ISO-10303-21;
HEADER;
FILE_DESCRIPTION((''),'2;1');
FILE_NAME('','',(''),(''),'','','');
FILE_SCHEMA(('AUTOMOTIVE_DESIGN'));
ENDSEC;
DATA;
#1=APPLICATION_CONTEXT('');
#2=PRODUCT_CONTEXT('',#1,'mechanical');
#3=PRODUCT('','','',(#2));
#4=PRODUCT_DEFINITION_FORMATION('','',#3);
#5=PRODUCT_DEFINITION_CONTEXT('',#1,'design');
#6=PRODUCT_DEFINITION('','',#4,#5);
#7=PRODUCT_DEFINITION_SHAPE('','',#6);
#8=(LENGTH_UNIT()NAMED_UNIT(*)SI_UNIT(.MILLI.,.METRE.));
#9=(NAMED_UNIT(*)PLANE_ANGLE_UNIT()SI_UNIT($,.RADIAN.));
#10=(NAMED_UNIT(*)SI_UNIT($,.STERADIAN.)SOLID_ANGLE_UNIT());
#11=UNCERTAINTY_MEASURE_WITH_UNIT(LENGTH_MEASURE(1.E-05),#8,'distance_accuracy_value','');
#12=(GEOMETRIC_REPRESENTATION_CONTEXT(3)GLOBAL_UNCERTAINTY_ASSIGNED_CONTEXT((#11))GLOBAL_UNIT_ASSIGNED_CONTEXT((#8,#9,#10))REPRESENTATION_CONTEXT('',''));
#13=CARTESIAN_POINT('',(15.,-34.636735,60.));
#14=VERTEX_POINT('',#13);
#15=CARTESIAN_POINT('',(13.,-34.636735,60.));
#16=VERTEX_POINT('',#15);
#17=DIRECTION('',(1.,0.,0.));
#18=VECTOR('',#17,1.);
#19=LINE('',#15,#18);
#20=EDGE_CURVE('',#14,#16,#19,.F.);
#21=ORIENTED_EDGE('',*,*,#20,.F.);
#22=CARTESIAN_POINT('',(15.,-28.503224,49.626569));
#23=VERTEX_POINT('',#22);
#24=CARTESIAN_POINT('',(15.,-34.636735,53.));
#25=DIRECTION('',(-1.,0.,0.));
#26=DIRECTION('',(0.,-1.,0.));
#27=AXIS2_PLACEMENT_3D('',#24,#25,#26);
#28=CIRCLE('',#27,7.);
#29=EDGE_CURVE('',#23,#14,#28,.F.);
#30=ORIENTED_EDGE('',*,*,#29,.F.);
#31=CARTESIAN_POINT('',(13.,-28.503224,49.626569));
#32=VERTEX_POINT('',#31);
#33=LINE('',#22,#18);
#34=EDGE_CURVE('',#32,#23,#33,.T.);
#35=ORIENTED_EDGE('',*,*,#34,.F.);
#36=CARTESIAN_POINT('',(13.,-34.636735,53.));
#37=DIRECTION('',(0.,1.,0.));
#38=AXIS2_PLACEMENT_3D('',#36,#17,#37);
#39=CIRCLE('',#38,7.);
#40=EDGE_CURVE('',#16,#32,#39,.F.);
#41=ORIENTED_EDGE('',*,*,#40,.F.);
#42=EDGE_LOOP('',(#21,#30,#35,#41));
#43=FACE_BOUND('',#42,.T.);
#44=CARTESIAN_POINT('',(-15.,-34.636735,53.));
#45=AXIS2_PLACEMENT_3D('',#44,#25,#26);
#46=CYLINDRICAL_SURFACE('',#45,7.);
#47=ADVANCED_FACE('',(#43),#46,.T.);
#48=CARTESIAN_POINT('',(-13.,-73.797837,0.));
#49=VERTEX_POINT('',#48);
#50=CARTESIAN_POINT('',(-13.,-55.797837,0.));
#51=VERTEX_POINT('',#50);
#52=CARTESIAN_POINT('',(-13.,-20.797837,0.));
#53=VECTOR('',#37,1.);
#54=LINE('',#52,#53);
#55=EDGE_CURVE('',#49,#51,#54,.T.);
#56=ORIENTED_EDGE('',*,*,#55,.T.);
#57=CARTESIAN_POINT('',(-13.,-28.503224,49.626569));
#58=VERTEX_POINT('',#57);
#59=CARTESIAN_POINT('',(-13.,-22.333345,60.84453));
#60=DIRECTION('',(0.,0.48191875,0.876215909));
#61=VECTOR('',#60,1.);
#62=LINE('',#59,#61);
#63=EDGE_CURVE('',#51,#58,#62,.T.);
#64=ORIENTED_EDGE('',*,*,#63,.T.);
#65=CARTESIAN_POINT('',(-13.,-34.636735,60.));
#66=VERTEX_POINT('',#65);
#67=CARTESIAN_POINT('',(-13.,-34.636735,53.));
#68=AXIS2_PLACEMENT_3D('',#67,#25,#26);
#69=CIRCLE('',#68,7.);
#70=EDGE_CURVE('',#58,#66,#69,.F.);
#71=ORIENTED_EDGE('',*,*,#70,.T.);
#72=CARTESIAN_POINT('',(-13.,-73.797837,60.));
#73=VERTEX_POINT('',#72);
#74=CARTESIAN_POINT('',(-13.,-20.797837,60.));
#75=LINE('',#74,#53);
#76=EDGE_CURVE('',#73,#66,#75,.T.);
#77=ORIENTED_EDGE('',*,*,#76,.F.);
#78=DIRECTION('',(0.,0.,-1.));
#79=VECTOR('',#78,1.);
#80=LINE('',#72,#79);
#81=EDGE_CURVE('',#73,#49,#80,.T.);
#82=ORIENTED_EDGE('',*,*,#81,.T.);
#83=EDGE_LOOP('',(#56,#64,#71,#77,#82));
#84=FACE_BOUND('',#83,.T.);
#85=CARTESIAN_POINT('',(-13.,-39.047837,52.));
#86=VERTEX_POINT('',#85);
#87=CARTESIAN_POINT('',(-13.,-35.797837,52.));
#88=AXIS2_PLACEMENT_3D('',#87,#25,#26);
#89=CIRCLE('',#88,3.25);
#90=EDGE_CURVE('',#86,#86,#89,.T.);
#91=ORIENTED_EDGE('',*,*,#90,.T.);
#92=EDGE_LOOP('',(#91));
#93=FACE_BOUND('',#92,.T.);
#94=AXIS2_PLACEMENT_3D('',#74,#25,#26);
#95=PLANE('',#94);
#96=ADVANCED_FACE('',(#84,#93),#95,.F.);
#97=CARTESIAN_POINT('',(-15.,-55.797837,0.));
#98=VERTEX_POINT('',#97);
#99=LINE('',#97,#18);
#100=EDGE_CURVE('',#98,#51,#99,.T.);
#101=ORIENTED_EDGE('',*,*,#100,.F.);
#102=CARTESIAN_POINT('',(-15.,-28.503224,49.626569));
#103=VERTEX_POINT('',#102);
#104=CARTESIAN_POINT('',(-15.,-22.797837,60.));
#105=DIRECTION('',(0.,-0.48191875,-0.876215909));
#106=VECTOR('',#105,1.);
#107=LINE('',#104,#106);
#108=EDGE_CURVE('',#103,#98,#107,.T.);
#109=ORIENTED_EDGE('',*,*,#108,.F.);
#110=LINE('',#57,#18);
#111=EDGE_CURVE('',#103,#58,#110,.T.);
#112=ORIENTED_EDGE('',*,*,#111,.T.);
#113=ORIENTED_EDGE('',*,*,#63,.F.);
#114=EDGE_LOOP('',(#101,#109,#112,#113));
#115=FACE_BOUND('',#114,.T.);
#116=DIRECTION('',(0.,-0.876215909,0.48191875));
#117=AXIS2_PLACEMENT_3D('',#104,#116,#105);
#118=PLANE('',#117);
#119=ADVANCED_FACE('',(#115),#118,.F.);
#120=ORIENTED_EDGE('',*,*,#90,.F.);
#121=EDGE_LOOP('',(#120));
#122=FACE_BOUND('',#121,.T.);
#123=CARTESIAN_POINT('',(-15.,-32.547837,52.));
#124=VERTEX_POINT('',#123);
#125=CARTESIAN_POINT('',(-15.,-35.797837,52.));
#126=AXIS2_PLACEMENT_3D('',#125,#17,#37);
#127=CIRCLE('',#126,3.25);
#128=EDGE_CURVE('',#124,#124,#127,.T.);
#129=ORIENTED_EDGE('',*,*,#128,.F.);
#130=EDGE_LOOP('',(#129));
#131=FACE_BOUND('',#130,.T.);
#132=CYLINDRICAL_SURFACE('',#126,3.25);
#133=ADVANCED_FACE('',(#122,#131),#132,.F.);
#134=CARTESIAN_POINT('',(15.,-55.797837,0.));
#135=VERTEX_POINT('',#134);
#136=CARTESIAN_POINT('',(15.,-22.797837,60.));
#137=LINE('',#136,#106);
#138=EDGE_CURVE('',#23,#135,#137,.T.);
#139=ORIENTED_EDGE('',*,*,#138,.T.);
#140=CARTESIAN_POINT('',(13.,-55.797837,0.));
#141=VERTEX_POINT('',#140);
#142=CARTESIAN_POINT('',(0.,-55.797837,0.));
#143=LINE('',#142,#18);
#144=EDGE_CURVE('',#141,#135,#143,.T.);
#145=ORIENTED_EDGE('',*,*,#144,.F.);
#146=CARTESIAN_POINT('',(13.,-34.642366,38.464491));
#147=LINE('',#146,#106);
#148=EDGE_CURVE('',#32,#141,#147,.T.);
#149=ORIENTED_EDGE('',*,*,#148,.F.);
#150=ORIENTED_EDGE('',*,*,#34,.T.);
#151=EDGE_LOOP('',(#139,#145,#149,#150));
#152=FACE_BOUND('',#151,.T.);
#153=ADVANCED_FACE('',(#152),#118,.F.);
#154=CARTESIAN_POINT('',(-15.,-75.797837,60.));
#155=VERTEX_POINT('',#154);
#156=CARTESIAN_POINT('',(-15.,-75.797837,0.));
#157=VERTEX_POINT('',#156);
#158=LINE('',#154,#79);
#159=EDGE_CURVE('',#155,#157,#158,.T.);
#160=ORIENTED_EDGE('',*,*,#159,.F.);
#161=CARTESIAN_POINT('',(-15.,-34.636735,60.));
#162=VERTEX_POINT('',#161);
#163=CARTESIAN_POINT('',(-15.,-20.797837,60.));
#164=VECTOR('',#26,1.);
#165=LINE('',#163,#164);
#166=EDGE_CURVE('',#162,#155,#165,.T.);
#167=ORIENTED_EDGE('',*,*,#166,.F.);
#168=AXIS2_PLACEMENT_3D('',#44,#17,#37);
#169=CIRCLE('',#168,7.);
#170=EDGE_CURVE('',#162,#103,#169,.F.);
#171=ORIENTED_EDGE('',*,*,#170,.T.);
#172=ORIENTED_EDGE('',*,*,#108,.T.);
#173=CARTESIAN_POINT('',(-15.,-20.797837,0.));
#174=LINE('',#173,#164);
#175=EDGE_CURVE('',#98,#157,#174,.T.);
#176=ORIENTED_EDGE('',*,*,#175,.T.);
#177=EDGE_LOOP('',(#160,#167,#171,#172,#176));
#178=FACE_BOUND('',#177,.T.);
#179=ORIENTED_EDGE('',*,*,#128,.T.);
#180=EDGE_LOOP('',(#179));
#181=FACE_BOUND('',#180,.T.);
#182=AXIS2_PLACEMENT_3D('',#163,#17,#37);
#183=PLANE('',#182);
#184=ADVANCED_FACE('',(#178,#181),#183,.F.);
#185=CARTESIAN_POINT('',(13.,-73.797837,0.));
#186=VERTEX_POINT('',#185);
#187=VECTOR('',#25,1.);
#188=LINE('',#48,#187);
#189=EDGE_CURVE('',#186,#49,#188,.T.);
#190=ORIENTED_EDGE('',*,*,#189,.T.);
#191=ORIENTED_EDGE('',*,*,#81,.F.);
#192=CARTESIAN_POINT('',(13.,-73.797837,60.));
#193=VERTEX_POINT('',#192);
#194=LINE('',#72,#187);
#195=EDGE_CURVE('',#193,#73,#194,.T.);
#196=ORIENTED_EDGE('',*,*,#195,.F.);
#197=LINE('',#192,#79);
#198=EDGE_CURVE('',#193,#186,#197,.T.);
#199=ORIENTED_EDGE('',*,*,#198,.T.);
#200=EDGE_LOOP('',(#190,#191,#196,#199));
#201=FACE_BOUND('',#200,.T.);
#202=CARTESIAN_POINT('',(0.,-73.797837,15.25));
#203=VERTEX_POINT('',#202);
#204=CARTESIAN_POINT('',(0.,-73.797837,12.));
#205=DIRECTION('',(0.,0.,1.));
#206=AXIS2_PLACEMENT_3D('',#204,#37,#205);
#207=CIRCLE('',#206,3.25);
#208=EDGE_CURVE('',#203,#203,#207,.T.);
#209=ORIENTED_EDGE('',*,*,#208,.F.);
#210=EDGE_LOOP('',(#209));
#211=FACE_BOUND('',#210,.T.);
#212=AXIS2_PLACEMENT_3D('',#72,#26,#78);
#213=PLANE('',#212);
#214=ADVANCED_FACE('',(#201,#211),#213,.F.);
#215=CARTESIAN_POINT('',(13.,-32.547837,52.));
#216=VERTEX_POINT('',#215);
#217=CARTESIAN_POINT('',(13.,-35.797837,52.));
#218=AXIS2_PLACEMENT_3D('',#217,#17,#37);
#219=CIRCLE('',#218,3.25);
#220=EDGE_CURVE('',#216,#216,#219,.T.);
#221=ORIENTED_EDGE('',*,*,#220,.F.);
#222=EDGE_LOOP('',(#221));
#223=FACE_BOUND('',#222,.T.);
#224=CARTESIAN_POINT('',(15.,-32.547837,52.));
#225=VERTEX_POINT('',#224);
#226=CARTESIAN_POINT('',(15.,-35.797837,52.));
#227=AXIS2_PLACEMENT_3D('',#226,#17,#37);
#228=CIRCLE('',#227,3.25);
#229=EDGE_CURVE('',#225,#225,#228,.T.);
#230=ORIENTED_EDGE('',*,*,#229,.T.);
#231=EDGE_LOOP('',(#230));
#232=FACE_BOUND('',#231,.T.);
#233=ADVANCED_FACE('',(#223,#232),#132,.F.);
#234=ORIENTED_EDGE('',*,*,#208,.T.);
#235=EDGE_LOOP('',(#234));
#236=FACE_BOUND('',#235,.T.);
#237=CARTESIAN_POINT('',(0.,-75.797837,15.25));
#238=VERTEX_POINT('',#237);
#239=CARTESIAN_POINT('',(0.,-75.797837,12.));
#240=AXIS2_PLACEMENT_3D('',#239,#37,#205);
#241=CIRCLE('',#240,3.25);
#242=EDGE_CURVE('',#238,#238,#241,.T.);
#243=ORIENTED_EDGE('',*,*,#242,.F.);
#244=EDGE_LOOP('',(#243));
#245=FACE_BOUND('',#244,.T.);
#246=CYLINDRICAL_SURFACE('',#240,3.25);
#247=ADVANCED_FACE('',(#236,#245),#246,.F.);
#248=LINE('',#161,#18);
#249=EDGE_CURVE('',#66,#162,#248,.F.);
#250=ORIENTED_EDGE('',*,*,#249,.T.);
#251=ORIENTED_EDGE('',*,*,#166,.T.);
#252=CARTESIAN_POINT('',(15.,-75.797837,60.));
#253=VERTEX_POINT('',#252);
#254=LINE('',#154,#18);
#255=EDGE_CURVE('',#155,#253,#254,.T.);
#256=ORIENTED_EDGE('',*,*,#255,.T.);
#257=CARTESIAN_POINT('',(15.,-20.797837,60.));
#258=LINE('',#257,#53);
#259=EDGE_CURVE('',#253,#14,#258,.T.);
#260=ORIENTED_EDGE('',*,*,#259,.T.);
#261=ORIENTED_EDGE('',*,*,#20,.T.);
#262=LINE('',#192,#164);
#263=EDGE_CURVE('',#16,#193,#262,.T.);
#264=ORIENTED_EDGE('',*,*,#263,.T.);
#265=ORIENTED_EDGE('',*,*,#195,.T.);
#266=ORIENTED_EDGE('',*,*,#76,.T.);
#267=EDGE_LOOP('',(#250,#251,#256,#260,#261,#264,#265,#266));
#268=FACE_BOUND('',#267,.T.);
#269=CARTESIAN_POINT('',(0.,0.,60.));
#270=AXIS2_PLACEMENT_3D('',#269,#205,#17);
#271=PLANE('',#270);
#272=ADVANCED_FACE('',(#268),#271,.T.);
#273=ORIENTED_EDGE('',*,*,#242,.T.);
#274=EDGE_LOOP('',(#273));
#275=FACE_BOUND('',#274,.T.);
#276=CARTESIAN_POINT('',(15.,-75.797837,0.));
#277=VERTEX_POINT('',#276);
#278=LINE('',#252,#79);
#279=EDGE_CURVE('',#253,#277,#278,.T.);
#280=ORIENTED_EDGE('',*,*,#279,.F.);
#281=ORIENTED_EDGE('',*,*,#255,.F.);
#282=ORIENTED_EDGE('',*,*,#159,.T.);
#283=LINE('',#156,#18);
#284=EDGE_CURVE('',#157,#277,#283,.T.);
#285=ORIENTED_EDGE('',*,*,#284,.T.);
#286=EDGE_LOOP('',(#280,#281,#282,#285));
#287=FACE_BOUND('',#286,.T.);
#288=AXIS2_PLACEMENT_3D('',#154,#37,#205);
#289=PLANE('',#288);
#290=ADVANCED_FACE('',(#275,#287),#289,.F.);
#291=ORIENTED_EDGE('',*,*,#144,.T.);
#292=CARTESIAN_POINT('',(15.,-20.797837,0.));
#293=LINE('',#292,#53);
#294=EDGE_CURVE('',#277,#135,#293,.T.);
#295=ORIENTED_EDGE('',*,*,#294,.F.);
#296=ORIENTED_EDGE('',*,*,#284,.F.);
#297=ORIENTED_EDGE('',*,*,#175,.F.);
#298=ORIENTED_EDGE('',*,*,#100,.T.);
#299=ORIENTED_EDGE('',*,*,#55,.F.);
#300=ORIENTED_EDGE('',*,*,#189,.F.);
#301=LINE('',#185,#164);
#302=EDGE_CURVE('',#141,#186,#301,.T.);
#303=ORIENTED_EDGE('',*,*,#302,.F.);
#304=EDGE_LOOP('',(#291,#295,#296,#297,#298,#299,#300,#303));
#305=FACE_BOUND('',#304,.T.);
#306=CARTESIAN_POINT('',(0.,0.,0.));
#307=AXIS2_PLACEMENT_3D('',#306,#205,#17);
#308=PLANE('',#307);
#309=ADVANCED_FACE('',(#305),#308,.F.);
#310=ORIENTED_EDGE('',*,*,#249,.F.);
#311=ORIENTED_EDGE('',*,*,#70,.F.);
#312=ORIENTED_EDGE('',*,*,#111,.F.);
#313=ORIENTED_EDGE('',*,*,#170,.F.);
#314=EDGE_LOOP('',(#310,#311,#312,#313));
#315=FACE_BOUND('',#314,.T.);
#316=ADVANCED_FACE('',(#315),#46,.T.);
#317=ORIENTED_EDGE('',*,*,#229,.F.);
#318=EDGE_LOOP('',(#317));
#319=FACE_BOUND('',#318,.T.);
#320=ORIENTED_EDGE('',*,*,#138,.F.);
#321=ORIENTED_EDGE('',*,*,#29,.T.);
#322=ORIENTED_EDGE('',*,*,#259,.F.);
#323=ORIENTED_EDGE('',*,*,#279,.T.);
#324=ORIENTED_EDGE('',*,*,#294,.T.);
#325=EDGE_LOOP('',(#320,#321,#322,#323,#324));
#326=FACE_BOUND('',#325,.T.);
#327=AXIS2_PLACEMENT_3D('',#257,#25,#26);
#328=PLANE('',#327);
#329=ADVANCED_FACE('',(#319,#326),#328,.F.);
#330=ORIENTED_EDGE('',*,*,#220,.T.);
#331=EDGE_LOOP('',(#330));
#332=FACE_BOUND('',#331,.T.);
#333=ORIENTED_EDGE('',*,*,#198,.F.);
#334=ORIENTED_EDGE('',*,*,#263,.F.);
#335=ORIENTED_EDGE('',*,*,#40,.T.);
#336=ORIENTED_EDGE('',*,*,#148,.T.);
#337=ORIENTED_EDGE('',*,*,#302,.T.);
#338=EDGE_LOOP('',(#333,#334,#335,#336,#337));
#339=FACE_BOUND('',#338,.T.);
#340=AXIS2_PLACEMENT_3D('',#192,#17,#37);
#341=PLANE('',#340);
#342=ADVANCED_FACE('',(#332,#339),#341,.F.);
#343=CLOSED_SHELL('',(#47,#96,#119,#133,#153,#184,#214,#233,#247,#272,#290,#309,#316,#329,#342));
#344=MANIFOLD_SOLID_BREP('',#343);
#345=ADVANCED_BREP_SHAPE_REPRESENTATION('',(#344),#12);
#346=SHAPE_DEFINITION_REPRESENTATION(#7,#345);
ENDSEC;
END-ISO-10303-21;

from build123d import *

# Parameters (mm, degrees)
EXTRUDE_1_DEPTH     = 60
SKETCH_2_R          = 3.25
CUT_EXTRUDE_1_DEPTH = 31
FILLET_1_R          = 7
SKETCH_3_R          = 3.25
CUT_EXTRUDE_2_DEPTH = 3


with BuildPart() as part:
    # 草图1 → 凸台-拉伸1 (new body)
    with BuildSketch(Plane.XY):
        Polygon((-13, -20.797836643), (-13, -73.797836643), (13, -73.797836643), (13, -20.797836643), (15, -20.797836643), (15, -75.797836643), (-15, -75.797836643), (-15, -20.797836643), align=None)
    extrude(amount=EXTRUDE_1_DEPTH)

    # 草图2 → 切除-拉伸1 (cut, through all)
    with BuildSketch(Plane(origin=(15, 0, 0), x_dir=(0, 0, -1), z_dir=(1, 0, 0))):
        with Locations((-52, -35.797836643)):
            Circle(SKETCH_2_R)
        Polygon((-60, -20.797836643), (-60, -22.797836643), (0, -55.797836643), (0, -20.797836643), align=None)
    extrude(amount=-CUT_EXTRUDE_1_DEPTH, mode=Mode.SUBTRACT)

    # 圆角1
    fillet_1_edges = [part.edges().sort_by_distance(p)[0] for p in [
        (14, -22.797836643, 60),
        (-14, -22.797836643, 60),
    ]]
    fillet(fillet_1_edges, radius=FILLET_1_R)

    # 草图3 → 切除-拉伸2 (cut, through all)
    with BuildSketch(Plane(origin=(0, -73.797836643, 0), x_dir=(1, 0, 0), z_dir=(0, 1, 0))):
        with Locations((0, -12)):
            Circle(SKETCH_3_R)
    extrude(amount=-CUT_EXTRUDE_2_DEPTH, mode=Mode.SUBTRACT)


solid = part.part
